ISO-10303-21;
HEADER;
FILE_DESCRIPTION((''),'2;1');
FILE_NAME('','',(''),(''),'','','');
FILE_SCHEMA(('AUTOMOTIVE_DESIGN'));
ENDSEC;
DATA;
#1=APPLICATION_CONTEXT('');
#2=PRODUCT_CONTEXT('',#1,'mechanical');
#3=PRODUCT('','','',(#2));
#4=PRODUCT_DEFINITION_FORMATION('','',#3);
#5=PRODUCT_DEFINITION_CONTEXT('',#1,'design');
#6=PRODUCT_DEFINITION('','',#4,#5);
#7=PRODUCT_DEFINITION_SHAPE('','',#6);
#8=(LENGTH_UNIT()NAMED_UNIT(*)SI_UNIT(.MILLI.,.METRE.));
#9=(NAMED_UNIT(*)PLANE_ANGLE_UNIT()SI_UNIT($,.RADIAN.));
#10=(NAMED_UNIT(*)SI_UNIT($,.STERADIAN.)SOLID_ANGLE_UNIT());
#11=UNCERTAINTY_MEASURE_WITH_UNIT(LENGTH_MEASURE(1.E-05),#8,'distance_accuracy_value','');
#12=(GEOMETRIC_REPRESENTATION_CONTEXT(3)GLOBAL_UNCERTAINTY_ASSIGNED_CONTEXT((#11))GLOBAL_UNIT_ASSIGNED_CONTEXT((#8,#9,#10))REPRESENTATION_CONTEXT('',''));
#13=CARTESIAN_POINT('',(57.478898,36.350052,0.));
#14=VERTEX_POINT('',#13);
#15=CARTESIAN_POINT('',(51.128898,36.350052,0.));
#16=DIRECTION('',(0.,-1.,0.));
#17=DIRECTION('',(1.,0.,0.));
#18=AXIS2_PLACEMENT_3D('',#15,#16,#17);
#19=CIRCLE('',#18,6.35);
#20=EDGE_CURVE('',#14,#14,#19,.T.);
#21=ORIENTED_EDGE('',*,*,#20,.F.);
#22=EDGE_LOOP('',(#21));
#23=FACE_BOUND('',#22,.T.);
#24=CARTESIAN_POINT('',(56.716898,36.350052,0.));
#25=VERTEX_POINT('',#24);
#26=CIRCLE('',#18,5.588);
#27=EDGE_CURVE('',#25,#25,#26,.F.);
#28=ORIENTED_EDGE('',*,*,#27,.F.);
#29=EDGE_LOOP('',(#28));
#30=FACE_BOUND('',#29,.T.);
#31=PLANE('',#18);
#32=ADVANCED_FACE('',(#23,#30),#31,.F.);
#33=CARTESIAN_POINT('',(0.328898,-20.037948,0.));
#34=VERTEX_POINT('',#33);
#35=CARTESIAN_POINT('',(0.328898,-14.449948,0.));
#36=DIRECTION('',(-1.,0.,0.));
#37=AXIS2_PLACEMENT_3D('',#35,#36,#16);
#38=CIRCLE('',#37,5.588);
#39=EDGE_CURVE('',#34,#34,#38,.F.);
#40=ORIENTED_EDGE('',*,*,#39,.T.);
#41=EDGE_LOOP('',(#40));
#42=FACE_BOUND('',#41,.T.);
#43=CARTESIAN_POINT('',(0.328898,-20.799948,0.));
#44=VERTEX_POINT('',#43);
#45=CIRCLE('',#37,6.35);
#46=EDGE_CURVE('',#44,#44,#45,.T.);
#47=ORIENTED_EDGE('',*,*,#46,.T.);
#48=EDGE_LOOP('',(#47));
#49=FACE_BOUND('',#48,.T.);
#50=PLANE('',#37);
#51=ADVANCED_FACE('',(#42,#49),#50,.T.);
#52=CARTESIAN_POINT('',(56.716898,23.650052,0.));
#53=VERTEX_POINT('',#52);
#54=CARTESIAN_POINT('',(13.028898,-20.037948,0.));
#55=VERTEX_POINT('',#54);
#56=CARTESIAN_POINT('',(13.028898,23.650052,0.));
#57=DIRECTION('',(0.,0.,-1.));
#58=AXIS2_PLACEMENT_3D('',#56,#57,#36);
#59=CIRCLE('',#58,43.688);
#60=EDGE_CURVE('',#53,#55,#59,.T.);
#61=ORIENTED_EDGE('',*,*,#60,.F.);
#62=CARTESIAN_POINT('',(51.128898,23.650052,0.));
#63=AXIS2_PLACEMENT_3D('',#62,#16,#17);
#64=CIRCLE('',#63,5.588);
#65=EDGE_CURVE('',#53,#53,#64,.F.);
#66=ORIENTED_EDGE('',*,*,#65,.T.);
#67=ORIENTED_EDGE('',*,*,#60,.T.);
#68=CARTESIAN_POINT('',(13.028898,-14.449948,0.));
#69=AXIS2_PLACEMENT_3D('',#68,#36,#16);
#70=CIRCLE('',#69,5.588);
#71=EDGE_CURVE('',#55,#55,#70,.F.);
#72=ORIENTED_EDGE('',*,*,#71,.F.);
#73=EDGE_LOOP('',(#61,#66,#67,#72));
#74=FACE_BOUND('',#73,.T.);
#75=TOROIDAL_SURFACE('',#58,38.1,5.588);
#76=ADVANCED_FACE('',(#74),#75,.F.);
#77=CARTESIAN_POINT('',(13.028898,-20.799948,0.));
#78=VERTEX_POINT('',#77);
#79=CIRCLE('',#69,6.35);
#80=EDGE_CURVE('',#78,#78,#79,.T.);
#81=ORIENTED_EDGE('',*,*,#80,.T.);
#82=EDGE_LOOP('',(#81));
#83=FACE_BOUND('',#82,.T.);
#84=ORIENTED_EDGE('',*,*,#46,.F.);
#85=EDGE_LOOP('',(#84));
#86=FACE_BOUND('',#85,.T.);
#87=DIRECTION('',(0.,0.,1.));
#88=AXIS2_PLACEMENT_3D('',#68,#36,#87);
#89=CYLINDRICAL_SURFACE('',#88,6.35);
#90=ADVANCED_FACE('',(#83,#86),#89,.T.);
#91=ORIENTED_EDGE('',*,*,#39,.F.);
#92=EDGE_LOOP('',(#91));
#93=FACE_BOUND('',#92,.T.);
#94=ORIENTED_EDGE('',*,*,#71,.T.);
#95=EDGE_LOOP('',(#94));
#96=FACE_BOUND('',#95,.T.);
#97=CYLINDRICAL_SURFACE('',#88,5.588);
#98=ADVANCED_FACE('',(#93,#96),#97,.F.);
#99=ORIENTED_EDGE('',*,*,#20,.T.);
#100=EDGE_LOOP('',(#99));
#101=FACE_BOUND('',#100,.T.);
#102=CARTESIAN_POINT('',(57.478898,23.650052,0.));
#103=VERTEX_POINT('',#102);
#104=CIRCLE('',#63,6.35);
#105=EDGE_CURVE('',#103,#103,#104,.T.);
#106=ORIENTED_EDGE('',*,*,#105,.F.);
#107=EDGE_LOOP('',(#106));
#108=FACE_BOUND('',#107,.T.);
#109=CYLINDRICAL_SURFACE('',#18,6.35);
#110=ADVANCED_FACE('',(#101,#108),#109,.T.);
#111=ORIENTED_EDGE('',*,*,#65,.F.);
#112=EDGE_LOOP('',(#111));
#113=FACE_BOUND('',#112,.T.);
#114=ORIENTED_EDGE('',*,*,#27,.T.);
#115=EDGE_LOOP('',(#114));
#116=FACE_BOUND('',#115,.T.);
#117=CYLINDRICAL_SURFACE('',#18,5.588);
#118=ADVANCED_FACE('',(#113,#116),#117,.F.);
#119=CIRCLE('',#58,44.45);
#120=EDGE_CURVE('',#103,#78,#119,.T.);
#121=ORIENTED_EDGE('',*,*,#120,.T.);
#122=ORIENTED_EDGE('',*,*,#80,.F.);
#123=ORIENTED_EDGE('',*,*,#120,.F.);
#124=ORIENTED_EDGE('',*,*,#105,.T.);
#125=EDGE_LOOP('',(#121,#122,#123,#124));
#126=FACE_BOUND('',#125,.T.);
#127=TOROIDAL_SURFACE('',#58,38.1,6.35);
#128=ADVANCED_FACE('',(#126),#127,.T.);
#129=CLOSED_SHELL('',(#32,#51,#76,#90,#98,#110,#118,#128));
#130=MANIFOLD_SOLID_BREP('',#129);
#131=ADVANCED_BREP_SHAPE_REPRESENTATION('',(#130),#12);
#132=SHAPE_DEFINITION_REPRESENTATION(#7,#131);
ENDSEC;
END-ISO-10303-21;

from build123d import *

# Parameters (mm, degrees)
SKETCH2_R   = 6.35
SKETCH2_R_2 = 5.588


with BuildPart() as part:
    # Sweep1: sweep along a path in Sketch1
    with BuildLine(Plane.XY) as sweep1_path:
        Line((51.128898203, 36.350052075), (51.128898203, 23.650052075))
        ThreePointArc((51.128898203, 23.650052075), (39.969666566, -3.290716288), (13.028898203, -14.449947925))
        Line((13.028898203, -14.449947925), (0.328898203, -14.449947925))
    # Sketch2 → Sweep1 (sweep)
    with BuildSketch(Plane(origin=(51.128898203, 36.350052075, 0), x_dir=(0, 0, -1), z_dir=(0, -1, 0))):
        Circle(SKETCH2_R)
        Circle(SKETCH2_R_2, mode=Mode.SUBTRACT)
    sweep(path=sweep1_path.line)


solid = part.part
